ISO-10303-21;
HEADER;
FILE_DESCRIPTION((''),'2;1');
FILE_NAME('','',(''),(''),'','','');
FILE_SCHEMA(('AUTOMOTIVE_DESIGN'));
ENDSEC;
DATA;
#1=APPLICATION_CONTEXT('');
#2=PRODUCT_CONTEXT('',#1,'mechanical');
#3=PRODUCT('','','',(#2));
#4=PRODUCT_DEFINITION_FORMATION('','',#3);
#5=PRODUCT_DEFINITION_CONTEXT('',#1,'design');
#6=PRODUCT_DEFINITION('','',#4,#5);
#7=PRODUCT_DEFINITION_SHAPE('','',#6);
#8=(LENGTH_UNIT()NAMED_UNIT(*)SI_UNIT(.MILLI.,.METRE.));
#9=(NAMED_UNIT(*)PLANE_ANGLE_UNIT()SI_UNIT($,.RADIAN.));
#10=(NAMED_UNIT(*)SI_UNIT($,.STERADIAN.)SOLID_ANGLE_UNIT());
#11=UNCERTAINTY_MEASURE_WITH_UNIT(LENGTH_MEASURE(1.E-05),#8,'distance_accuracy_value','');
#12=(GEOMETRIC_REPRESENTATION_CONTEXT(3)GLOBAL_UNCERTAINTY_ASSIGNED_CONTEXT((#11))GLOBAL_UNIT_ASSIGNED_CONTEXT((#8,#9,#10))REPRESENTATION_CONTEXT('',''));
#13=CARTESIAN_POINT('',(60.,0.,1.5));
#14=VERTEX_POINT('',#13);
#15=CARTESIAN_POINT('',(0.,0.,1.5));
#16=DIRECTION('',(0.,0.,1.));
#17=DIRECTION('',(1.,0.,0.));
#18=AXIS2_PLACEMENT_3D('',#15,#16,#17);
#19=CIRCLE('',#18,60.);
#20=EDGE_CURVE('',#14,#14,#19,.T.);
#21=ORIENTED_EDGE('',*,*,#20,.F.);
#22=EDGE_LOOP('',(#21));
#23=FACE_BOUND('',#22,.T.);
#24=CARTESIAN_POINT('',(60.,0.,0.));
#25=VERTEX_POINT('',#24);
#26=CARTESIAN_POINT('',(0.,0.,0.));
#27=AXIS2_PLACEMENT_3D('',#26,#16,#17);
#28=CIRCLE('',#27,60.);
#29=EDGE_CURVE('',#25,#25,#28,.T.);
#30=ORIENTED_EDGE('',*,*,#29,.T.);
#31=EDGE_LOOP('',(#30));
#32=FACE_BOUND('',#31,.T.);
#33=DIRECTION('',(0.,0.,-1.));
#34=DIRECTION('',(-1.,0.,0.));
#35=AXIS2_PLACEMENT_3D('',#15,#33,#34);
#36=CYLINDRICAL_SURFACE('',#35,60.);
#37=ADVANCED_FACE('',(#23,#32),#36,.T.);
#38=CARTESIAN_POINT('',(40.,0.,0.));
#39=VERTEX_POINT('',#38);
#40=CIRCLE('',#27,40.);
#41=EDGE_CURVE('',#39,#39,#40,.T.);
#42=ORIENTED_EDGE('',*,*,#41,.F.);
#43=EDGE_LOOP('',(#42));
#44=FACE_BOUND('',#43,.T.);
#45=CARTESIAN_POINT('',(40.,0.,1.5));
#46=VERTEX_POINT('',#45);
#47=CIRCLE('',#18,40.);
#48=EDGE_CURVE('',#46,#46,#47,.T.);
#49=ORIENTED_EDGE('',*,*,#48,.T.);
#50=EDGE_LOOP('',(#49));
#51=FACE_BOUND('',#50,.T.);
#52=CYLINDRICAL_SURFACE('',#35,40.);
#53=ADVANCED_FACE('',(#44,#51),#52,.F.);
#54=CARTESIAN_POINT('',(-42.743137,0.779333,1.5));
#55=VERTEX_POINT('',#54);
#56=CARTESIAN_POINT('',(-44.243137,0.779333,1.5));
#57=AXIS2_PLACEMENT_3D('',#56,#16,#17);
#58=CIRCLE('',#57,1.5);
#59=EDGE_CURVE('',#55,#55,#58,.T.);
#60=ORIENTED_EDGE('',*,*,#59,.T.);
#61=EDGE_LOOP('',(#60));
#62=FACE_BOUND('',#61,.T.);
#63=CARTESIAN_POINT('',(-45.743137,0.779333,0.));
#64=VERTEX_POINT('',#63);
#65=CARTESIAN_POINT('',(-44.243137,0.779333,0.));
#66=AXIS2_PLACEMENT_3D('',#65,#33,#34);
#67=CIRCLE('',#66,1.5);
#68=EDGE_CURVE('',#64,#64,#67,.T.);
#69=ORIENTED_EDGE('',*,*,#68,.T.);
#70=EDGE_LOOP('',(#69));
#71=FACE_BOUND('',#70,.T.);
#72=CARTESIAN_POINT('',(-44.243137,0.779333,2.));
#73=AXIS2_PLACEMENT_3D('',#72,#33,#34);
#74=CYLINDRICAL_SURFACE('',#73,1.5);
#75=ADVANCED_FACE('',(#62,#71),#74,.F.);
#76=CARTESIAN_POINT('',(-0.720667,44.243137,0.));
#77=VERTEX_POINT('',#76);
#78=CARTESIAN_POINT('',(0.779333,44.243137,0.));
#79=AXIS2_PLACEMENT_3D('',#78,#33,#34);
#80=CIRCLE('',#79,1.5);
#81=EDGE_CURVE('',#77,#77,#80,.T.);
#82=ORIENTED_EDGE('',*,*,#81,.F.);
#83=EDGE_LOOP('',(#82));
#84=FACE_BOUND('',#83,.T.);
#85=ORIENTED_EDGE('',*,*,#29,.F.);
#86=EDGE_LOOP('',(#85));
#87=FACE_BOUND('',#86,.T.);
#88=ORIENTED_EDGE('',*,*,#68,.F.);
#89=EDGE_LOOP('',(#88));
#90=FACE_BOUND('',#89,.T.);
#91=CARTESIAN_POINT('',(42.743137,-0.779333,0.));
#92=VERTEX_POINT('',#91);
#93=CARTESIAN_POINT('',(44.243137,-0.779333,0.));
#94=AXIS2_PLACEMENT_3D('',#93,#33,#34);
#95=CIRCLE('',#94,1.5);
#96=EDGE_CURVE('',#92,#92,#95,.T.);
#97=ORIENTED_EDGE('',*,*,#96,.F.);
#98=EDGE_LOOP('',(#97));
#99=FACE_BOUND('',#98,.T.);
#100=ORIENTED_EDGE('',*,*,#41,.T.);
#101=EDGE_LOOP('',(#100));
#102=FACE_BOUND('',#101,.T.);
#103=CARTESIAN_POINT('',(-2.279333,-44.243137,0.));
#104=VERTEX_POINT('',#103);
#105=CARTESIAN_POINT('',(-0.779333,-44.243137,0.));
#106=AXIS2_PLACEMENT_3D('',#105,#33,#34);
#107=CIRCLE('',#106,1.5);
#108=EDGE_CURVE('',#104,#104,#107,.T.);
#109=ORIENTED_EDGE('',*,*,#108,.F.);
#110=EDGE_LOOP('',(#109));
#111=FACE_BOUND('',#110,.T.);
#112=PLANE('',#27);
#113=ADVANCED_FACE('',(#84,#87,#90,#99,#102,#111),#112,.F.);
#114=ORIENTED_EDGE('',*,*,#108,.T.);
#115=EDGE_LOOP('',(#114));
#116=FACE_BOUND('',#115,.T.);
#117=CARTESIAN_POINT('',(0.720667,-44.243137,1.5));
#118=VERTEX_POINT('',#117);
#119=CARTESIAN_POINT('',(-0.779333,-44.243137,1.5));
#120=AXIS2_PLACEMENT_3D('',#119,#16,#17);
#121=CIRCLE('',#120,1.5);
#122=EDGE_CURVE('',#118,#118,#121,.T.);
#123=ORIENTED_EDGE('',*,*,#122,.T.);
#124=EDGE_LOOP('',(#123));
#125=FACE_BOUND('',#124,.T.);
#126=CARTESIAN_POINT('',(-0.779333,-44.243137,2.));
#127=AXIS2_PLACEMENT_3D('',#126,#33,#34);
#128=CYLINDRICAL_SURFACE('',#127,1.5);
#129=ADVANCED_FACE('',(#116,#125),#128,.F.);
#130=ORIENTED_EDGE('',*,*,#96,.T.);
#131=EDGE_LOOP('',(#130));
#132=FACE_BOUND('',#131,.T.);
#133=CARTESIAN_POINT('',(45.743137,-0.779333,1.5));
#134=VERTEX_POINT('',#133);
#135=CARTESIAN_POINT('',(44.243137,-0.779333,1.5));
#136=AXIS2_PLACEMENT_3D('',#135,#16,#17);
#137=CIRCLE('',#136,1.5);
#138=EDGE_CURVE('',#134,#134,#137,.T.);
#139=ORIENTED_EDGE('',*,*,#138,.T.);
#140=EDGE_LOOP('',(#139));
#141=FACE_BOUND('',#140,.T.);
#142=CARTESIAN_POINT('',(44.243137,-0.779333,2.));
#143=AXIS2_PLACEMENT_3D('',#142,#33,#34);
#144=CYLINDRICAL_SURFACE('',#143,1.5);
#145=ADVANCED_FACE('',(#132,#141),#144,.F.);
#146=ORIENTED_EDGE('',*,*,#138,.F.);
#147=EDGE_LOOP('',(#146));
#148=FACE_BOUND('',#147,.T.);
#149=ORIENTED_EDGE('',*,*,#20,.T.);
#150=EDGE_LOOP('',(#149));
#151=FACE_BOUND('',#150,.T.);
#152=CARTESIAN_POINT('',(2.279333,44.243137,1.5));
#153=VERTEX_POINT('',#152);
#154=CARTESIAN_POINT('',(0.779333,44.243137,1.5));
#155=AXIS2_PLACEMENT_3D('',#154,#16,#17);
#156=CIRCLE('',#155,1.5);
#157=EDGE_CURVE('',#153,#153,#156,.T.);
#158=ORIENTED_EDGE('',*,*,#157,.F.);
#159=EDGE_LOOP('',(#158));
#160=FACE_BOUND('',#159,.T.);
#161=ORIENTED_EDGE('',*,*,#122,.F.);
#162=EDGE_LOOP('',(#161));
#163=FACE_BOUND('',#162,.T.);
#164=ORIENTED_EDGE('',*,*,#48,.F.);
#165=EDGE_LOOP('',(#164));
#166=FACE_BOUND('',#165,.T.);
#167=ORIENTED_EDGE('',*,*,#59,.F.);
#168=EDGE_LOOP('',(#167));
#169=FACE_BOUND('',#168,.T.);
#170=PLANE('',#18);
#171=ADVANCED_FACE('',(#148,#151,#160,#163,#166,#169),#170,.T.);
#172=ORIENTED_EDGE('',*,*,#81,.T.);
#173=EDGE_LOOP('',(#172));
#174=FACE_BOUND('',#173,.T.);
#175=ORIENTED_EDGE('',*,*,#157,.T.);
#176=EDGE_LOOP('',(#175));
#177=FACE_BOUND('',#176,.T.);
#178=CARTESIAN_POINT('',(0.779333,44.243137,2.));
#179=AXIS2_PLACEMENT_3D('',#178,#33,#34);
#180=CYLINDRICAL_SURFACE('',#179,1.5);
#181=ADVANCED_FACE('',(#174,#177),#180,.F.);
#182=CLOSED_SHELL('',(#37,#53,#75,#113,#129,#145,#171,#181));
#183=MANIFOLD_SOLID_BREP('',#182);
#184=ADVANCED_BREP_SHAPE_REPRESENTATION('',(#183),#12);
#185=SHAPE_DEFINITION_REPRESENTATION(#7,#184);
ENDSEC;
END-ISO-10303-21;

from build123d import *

# Parameters (mm, degrees)
SKETCH_1_R          = 60
SKETCH_1_R_2        = 40
EXTRUDE_1_DEPTH     = 1.5
SKETCH_2_R          = 1.5
CUT_EXTRUDE_2_DEPTH = 2


with BuildPart() as part:
    # 草图1 → 凸台-拉伸1 (new body)
    with BuildSketch(Plane.XY):
        Circle(SKETCH_1_R)
        Circle(SKETCH_1_R_2, mode=Mode.SUBTRACT)
    extrude(amount=EXTRUDE_1_DEPTH)

    # 草图2 → 切除-拉伸2 (cut)
    with BuildSketch(Plane(origin=(0, 0, 0), x_dir=(-1, 0, 0), z_dir=(0, 0, -1))):
        with Locations((-44.243136642, -0.779333123)):
            Circle(SKETCH_2_R)
        with Locations((-0.779333123, 44.243136642)):
            Circle(SKETCH_2_R)
        with Locations((44.243136642, 0.779333123)):
            Circle(SKETCH_2_R)
        with Locations((0.779333123, -44.243136642)):
            Circle(SKETCH_2_R)
    extrude(amount=-CUT_EXTRUDE_2_DEPTH, mode=Mode.SUBTRACT)


solid = part.part
